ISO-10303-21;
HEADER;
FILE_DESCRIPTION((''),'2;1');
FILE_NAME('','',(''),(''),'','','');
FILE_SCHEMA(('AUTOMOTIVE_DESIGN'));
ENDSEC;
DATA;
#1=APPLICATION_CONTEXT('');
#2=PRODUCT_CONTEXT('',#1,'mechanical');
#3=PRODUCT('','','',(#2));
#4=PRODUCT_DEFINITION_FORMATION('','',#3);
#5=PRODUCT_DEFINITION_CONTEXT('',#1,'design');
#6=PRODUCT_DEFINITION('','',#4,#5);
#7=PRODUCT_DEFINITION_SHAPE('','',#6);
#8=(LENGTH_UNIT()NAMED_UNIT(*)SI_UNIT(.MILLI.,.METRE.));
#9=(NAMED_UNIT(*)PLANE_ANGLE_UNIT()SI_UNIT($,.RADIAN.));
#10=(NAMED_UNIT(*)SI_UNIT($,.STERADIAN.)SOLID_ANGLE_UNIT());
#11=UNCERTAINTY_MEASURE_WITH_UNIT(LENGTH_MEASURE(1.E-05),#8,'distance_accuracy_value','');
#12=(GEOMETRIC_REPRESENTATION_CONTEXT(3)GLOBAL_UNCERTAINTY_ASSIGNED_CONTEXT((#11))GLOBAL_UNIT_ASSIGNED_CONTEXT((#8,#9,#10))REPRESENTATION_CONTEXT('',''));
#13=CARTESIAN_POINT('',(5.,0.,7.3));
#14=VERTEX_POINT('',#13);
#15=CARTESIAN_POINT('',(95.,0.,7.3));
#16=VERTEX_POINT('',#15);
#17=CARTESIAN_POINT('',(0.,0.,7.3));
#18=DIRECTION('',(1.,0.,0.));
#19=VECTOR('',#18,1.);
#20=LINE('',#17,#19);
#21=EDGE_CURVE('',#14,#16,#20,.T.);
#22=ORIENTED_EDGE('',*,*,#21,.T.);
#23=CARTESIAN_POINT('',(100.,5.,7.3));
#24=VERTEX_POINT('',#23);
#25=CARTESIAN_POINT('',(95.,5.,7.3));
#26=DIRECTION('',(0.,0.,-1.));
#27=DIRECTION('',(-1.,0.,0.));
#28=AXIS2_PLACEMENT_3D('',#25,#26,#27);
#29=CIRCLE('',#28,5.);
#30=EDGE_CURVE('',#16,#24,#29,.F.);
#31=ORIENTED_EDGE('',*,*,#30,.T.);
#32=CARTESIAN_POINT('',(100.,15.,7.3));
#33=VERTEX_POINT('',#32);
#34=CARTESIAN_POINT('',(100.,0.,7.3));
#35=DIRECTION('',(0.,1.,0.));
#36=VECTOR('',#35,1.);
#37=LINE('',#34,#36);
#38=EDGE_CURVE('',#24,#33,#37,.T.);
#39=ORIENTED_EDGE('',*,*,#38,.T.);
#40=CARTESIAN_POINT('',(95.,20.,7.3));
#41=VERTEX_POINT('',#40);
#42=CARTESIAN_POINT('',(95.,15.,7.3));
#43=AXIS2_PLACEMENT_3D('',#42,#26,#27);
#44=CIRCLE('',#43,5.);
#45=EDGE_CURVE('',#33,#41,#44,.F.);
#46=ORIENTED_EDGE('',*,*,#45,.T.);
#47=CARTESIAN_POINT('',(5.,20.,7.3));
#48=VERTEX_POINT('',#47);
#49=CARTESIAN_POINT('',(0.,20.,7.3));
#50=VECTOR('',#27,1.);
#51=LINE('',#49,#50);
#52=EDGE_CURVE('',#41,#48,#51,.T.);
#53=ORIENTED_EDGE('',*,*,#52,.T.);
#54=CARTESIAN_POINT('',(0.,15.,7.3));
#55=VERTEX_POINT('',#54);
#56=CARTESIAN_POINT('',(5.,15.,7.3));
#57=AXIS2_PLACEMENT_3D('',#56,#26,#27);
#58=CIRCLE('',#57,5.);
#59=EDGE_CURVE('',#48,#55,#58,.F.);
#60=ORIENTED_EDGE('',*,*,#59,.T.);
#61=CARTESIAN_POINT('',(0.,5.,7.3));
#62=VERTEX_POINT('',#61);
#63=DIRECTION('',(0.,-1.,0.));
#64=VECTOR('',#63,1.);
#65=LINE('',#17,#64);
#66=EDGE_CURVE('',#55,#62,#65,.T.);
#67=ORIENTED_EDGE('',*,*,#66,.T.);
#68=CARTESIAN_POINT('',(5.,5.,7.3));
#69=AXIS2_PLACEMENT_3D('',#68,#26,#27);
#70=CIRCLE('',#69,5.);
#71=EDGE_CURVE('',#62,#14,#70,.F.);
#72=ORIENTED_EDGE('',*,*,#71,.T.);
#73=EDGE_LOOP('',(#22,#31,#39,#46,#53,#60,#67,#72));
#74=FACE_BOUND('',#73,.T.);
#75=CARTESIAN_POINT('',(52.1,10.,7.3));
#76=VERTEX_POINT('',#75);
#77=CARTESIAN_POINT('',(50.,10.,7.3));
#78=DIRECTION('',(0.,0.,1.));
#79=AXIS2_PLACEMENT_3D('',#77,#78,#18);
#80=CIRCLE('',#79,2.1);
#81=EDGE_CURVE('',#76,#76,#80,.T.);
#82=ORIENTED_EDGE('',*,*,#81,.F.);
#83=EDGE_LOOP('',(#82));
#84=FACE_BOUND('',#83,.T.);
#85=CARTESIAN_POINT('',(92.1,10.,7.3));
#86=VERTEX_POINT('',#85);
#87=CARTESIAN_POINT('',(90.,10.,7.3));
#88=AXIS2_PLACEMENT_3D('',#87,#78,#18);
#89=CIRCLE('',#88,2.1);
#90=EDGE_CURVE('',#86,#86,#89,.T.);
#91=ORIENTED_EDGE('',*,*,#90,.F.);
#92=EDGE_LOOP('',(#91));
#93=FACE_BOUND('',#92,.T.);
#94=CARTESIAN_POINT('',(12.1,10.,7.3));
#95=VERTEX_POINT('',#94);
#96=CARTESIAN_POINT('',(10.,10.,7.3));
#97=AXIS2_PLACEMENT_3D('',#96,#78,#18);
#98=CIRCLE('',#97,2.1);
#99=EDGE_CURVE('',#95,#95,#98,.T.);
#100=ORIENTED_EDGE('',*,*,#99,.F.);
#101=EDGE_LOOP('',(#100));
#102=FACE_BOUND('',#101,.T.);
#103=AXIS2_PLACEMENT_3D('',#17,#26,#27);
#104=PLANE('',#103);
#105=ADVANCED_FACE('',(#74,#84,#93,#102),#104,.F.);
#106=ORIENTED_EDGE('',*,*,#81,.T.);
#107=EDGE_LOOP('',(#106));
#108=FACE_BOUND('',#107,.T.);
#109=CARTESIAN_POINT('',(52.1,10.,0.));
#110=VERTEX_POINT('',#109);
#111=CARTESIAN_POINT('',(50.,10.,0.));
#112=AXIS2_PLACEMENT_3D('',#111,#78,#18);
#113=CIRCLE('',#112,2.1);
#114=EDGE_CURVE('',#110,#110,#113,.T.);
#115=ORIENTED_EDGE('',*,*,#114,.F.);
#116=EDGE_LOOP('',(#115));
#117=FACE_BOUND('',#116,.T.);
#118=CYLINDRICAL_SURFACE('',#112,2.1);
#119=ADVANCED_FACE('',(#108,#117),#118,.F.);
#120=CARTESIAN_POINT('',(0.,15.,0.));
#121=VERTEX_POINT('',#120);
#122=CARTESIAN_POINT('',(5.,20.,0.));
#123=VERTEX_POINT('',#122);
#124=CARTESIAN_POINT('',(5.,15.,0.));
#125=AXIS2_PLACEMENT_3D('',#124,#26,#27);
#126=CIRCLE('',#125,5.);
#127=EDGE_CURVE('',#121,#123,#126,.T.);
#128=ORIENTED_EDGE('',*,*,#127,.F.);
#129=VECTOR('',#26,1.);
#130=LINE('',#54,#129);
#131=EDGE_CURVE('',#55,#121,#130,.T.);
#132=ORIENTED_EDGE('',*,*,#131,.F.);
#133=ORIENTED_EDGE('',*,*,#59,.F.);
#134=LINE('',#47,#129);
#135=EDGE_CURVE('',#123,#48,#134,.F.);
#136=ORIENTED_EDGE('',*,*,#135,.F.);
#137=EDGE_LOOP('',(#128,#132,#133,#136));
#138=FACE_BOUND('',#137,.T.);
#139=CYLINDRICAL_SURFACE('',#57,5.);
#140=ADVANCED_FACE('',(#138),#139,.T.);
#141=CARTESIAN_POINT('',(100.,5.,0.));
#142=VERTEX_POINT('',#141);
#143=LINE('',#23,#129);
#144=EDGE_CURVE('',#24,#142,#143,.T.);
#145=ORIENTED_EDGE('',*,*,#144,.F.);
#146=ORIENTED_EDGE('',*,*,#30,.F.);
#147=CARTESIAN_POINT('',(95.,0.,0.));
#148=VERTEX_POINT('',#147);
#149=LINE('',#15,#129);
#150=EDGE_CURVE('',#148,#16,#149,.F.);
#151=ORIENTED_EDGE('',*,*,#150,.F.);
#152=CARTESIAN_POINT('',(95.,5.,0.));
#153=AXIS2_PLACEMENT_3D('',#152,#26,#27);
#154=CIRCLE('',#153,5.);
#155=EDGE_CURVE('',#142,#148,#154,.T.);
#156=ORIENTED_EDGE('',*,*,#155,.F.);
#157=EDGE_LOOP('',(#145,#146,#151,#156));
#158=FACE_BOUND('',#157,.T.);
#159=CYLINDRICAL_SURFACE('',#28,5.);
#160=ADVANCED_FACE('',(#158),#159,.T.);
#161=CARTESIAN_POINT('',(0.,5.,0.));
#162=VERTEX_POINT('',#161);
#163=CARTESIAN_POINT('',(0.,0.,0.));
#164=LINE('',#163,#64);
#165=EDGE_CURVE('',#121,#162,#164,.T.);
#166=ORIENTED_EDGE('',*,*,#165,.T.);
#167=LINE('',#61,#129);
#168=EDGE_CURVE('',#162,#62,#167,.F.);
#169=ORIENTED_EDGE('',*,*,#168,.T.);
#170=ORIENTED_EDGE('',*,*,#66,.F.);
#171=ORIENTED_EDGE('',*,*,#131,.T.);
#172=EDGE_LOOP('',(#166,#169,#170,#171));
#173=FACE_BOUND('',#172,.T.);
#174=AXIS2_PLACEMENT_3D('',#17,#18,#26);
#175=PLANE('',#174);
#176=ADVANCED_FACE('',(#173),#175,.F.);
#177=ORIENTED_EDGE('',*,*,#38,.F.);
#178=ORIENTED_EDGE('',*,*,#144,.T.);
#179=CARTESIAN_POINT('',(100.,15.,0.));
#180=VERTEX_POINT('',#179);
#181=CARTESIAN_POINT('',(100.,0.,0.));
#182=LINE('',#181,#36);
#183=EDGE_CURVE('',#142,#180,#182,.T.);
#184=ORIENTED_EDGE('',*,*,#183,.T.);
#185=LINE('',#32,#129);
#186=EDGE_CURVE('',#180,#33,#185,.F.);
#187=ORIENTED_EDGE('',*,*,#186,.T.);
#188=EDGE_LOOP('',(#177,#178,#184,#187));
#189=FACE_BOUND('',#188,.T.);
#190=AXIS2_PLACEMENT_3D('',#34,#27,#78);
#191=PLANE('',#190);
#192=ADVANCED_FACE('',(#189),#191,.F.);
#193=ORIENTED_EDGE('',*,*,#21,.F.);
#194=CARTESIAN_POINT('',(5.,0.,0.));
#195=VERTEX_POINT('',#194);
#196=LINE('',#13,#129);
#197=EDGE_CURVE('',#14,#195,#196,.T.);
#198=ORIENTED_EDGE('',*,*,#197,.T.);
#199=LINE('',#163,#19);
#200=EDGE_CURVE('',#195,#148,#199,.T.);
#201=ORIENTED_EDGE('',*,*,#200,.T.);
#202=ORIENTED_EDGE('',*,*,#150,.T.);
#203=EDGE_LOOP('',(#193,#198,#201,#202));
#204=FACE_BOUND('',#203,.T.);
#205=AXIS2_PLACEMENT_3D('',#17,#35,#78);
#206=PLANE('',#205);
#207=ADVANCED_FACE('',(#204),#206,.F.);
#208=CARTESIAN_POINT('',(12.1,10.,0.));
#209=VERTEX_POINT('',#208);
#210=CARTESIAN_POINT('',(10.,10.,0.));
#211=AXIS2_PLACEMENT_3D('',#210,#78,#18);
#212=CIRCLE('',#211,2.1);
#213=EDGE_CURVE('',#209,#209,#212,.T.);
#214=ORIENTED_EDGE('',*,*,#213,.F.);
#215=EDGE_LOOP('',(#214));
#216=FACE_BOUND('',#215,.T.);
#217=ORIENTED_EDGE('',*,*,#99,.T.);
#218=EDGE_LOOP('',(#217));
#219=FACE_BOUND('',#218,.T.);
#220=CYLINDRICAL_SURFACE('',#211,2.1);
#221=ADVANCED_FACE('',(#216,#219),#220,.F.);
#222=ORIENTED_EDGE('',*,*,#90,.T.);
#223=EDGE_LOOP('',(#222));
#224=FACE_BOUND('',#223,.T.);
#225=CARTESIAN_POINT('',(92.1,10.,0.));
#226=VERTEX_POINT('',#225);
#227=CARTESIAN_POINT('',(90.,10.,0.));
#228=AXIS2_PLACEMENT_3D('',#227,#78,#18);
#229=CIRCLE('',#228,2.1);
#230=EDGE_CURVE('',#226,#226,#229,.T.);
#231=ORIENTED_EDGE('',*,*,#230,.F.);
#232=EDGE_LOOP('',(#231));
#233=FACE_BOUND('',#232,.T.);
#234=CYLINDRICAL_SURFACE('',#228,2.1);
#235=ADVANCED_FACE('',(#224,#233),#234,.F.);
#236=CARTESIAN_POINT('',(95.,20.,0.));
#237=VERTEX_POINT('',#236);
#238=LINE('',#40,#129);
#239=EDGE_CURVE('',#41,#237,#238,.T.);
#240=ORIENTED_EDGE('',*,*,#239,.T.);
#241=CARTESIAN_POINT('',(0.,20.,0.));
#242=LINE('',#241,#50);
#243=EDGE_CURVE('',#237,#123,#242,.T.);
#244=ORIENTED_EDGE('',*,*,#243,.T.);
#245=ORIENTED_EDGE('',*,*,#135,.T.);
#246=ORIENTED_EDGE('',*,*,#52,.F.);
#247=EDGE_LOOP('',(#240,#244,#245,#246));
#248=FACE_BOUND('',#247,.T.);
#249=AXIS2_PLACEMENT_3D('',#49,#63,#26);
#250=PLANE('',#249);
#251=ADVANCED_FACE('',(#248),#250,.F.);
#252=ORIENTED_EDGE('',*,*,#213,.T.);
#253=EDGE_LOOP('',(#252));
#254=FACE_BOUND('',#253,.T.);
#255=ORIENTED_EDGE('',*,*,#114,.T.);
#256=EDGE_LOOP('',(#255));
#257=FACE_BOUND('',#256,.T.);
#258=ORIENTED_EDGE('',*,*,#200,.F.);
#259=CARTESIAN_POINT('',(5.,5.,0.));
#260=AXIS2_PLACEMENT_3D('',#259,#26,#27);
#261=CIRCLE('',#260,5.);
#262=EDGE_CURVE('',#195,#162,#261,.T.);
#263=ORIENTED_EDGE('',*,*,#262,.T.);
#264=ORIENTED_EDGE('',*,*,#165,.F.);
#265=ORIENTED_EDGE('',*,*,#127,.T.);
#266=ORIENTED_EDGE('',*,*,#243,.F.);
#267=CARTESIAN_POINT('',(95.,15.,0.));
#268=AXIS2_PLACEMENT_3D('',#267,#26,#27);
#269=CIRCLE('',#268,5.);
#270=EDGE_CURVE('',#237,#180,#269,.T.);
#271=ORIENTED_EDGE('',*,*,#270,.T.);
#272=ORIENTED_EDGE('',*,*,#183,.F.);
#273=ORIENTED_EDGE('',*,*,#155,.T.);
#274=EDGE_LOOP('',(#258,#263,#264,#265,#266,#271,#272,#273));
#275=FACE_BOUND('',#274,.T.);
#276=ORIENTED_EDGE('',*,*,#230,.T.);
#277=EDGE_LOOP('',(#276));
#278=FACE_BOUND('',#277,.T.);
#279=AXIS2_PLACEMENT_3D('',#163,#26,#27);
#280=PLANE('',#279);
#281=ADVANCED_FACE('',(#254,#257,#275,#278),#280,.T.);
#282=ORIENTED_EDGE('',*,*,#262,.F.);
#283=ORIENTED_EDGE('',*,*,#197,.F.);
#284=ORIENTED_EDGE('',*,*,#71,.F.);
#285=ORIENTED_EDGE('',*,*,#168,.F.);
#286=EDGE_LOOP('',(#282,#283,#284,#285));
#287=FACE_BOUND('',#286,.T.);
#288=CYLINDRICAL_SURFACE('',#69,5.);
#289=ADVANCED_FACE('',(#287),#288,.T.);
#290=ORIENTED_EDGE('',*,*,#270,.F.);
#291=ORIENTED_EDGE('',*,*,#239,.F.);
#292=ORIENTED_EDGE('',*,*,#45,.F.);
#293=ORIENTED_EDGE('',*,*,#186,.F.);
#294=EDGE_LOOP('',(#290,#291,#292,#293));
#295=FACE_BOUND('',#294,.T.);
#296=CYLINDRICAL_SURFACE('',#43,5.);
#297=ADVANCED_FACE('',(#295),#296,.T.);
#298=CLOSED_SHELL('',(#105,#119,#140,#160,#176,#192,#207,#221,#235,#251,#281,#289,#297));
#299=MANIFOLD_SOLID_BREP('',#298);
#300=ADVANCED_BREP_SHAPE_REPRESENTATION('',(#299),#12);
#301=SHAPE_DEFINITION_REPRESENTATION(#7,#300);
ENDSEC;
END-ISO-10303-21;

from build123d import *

# Parameters (mm, degrees)
SKETCH_1_W          = 100
SKETCH_1_H          = 20
EXTRUDE_1_DEPTH     = 7.3
SKETCH_2_R          = 2.1
CUT_EXTRUDE_1_DEPTH = 103.241332151
FILLET_1_R          = 5


with BuildPart() as part:
    # 草图1 → 凸台-拉伸1 (new body)
    with BuildSketch(Plane.XY):
        with Locations((50, 10)):
            Rectangle(SKETCH_1_W, SKETCH_1_H)
    extrude(amount=EXTRUDE_1_DEPTH)

    # 草图2 → 切除-拉伸1 (cut, through all)
    with BuildSketch(Plane.XY.offset(7.3)):
        with Locations((10, 10)):
            Circle(SKETCH_2_R)
        with Locations((50, 10)):
            Circle(SKETCH_2_R)
        with Locations((90, 10)):
            Circle(SKETCH_2_R)
    extrude(amount=-CUT_EXTRUDE_1_DEPTH, mode=Mode.SUBTRACT)

    # 圆角1
    fillet_1_edges = [part.edges().sort_by_distance(p)[0] for p in [
        (0, 20, 3.65),
        (100, 20, 3.65),
        (100, 0, 3.65),
        (0, 0, 3.65),
    ]]
    fillet(fillet_1_edges, radius=FILLET_1_R)


solid = part.part
